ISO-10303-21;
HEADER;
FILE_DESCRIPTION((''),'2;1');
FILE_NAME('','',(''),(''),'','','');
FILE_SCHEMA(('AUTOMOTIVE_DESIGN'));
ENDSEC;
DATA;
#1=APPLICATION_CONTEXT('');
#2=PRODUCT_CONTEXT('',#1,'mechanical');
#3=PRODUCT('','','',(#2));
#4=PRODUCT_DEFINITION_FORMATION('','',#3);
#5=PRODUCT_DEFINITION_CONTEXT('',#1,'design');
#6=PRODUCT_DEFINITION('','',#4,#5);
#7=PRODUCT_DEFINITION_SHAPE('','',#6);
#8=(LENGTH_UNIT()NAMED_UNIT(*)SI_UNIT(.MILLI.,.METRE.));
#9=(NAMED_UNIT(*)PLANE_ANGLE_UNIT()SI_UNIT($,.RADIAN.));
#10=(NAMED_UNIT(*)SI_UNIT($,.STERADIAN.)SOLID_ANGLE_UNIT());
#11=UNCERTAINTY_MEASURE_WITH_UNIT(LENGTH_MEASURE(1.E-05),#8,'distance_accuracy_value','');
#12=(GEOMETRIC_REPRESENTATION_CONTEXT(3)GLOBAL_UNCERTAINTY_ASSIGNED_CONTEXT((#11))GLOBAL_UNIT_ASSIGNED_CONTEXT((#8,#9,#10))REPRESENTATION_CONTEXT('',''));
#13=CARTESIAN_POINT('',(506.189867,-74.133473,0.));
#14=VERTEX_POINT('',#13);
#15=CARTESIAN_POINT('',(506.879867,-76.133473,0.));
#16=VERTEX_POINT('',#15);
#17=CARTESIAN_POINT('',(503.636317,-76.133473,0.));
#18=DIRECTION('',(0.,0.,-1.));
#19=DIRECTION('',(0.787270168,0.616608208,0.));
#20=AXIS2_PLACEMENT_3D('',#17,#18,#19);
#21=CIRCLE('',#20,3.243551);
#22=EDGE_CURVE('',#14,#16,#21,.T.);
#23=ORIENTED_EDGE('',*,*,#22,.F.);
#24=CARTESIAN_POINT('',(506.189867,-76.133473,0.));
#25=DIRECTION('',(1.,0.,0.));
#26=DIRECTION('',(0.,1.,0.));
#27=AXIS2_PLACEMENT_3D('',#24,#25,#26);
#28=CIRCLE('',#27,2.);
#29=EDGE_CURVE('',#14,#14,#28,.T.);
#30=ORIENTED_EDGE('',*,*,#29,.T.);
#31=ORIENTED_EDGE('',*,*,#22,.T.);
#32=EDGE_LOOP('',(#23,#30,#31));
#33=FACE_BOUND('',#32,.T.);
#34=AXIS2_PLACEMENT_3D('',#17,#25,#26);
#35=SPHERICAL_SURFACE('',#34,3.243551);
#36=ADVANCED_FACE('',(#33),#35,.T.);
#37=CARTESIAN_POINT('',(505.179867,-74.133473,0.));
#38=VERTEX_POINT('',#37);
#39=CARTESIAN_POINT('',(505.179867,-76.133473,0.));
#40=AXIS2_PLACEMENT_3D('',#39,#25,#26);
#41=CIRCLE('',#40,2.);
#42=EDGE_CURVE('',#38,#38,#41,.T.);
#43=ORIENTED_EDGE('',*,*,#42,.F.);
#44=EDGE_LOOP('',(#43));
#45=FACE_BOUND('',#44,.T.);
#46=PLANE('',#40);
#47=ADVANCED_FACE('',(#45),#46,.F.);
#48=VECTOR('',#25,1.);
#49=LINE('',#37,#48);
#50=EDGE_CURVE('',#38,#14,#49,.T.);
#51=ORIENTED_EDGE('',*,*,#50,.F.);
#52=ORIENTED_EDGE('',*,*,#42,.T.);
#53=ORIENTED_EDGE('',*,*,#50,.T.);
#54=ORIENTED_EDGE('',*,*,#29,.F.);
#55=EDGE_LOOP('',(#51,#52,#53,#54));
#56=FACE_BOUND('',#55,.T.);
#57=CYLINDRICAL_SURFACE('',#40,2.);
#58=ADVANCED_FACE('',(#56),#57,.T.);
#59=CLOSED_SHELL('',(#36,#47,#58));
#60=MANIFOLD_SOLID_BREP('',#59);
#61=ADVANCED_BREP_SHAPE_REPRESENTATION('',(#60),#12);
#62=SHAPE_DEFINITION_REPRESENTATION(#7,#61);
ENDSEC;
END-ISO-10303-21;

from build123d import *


with BuildPart() as part:
    # 草图1 → 旋转2 (revolve)
    with BuildSketch(Plane.XY):
        with BuildLine():
            Line((506.879867401, -76.133473498), (505.179867401, -76.133473498))
            Line((505.179867401, -76.133473498), (505.179867401, -74.133473498))
            Line((505.179867401, -74.133473498), (506.189867401, -74.133473498))
            ThreePointArc((506.189867401, -74.133473498), (506.702518937, -75.075633718), (506.879867401, -76.133473498))
        make_face()
    revolve(axis=Axis((504.749983265, -76.133473498, 0), (1, 0, 0)))


solid = part.part
